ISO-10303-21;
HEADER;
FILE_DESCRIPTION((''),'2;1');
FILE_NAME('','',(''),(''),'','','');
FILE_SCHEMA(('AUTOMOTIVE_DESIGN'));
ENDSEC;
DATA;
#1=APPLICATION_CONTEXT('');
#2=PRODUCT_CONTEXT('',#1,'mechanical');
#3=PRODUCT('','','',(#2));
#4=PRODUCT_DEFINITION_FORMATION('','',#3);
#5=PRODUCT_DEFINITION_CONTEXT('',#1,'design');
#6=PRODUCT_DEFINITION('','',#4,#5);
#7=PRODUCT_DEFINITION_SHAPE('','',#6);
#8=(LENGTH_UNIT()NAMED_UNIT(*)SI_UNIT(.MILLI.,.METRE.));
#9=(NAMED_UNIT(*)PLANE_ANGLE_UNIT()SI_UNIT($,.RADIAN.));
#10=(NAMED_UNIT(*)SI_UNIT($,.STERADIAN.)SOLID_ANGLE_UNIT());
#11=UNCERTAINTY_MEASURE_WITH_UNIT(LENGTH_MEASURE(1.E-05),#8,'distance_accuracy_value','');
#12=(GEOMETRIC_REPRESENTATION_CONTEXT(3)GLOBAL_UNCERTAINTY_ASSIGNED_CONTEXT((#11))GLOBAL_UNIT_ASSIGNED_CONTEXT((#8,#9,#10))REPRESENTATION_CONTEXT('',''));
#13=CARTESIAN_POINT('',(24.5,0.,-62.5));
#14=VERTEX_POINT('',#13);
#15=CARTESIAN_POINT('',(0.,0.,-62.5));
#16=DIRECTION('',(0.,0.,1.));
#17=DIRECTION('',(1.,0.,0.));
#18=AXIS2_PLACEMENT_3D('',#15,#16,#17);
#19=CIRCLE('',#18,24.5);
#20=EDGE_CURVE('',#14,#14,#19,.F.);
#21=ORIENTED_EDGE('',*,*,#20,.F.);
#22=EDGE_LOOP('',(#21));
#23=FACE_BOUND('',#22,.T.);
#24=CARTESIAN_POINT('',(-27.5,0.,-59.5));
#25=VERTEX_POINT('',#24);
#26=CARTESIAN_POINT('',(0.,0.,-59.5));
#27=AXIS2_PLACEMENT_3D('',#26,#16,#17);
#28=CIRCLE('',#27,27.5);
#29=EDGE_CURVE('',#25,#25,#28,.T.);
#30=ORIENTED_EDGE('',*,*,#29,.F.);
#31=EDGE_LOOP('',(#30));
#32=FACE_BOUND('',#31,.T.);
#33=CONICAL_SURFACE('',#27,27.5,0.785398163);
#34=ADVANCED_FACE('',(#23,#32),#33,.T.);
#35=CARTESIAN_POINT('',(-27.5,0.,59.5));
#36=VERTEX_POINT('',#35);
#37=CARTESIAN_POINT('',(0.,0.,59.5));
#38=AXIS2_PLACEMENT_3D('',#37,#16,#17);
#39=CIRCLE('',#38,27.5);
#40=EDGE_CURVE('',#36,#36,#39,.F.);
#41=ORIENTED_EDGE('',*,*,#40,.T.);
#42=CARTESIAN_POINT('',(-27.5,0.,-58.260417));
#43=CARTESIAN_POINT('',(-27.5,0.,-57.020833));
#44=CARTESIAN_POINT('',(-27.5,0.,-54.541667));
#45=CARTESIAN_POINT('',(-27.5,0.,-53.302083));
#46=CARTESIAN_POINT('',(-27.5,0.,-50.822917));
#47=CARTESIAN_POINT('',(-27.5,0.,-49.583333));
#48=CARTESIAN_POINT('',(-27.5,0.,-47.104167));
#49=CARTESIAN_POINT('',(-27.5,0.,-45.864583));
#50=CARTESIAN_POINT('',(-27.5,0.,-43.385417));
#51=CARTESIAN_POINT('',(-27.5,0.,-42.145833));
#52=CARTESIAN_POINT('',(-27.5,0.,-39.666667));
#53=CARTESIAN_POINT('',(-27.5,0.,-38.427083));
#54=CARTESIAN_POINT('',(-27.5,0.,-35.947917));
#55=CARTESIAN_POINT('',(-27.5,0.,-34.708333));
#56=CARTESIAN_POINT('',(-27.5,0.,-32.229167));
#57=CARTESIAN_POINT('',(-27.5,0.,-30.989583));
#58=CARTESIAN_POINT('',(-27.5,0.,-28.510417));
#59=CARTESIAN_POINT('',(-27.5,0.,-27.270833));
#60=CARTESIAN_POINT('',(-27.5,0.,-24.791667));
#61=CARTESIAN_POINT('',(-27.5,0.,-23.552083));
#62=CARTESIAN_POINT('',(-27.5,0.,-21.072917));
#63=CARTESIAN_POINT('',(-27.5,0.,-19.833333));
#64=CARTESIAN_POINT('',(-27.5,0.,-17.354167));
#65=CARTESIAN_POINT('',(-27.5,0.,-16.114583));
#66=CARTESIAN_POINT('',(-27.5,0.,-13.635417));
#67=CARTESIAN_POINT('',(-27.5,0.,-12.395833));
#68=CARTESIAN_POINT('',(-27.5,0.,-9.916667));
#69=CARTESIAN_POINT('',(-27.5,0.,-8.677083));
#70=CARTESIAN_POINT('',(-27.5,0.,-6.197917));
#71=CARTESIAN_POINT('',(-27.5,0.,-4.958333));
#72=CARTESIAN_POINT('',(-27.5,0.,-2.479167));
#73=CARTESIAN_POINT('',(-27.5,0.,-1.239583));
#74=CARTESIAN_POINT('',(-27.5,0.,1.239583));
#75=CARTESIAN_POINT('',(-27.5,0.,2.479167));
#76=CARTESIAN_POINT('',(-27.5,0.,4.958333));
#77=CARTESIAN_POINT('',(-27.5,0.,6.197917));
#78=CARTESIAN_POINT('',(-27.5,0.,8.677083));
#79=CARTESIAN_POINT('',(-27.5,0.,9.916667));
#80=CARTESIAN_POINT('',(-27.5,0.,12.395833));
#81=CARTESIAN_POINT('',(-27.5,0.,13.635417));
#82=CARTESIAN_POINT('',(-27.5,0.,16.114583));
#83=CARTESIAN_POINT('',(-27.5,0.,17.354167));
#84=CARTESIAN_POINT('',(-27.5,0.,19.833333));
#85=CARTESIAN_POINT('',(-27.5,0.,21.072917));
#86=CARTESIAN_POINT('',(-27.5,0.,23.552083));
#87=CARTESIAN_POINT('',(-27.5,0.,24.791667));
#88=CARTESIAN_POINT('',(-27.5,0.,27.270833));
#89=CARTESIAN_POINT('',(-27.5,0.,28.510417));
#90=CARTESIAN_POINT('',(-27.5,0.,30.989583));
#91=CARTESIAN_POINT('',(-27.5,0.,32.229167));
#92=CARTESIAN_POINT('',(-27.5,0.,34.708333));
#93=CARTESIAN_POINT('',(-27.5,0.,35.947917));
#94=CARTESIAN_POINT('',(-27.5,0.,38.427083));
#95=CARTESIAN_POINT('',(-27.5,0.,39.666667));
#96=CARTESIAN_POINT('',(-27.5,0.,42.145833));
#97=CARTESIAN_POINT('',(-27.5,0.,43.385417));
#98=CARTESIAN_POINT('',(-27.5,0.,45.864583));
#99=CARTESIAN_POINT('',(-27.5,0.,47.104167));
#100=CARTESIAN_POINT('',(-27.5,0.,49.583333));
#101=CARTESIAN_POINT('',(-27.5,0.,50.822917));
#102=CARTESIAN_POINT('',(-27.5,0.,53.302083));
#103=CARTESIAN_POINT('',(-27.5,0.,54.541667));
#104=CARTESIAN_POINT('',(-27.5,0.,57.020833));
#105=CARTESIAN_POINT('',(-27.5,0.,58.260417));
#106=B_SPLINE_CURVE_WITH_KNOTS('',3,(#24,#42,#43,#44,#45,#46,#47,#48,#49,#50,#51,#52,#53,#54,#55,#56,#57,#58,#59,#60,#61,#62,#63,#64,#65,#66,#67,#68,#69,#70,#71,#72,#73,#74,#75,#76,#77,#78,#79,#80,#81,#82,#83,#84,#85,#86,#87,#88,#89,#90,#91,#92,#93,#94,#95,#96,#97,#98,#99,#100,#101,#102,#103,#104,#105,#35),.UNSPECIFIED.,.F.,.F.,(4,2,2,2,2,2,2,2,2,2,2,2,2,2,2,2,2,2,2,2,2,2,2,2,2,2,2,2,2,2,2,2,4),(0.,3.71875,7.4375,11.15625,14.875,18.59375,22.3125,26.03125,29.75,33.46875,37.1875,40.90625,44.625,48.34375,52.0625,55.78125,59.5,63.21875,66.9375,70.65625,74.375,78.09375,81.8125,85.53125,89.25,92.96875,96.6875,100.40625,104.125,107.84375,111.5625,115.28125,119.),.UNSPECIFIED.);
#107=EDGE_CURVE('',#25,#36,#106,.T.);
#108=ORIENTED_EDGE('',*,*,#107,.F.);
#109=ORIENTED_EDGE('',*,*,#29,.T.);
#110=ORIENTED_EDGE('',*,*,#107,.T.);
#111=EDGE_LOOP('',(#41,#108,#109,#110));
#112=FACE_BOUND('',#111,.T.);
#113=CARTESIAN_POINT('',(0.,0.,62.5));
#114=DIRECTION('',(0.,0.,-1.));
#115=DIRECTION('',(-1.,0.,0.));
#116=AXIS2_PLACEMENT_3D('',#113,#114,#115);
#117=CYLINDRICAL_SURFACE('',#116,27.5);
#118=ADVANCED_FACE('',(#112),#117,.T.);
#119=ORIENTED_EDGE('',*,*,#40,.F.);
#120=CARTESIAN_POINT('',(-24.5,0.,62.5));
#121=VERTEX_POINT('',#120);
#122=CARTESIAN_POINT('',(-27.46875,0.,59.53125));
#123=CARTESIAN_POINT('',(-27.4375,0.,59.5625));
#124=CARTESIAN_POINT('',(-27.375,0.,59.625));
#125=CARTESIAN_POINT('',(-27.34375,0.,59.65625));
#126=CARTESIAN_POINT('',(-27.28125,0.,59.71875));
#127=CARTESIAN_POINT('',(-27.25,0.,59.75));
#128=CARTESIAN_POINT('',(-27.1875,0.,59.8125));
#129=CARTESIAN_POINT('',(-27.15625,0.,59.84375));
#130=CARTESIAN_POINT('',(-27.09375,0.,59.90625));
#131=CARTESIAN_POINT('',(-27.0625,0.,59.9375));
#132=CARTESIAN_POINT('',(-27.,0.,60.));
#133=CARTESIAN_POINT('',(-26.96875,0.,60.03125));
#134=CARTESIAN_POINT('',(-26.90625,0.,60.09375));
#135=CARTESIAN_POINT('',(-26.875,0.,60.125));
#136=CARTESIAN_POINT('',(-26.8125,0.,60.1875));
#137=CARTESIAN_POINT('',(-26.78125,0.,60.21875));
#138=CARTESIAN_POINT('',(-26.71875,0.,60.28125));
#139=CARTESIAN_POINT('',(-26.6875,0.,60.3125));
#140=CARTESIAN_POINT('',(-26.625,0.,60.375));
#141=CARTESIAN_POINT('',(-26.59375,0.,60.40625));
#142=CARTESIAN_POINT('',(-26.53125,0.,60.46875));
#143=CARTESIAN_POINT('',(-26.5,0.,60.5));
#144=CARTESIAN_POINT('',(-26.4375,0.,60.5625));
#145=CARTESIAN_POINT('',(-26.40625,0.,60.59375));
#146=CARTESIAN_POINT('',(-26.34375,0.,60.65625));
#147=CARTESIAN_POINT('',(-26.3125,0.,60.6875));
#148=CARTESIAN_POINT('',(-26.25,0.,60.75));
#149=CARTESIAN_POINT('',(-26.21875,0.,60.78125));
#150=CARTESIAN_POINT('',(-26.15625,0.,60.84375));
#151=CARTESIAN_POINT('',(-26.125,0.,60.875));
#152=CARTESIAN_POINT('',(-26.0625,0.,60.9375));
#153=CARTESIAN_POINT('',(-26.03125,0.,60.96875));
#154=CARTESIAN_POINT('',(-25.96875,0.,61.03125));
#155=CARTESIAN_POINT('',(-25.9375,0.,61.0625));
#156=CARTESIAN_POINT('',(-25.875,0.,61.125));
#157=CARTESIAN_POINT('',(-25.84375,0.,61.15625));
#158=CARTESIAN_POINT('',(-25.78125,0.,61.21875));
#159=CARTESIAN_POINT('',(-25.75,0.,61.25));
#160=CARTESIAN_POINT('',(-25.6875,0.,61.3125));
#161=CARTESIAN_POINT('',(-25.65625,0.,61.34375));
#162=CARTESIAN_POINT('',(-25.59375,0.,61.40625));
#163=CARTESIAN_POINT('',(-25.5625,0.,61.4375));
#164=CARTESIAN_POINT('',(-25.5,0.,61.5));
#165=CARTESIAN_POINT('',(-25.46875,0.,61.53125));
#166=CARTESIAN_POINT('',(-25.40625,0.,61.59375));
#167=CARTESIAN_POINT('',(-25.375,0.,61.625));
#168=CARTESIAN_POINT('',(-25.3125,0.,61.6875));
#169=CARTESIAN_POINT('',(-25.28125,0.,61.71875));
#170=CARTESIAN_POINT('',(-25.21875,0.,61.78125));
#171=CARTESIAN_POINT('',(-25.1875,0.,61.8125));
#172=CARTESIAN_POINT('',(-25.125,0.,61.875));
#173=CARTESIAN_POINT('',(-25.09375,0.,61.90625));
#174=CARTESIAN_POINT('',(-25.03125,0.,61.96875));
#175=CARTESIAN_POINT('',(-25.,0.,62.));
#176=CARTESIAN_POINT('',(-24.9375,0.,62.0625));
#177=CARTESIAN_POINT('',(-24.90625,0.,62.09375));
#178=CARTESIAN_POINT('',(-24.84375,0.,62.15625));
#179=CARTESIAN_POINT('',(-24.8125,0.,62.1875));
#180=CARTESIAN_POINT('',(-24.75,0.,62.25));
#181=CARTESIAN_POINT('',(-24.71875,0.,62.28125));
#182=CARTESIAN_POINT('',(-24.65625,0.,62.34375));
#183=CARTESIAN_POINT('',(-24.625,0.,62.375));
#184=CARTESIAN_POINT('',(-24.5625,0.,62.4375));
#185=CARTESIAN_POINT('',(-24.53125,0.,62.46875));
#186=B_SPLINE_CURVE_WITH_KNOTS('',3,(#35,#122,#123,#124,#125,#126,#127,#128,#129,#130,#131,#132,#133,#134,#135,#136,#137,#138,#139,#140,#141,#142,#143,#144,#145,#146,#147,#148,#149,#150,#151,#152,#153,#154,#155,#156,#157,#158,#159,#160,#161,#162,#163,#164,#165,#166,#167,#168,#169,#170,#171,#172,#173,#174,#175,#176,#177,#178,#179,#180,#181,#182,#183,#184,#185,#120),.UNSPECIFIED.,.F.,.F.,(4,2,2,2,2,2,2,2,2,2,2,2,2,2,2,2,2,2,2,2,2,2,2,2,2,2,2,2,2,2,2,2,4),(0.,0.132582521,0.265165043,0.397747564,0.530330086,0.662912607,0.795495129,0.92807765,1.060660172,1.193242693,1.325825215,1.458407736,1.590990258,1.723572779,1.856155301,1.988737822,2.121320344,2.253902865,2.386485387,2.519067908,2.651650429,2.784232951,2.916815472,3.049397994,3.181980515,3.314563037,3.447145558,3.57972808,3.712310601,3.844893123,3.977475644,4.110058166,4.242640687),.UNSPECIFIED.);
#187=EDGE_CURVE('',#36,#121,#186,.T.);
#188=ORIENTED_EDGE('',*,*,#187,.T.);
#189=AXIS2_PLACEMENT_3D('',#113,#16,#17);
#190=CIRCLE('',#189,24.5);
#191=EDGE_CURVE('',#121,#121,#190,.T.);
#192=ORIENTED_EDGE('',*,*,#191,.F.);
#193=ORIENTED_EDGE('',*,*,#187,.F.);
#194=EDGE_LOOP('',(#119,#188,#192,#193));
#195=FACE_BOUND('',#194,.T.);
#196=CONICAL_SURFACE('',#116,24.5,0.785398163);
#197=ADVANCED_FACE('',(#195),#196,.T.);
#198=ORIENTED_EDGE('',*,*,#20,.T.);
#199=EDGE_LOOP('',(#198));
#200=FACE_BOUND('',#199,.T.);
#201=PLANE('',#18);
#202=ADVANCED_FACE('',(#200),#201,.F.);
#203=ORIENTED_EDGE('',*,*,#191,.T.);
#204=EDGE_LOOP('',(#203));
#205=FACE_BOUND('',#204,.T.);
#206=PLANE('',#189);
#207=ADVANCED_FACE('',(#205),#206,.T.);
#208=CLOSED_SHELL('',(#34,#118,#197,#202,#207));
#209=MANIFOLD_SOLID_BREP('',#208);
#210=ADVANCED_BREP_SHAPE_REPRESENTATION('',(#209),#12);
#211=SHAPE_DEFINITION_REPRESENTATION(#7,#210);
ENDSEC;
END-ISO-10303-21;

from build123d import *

# Parameters (mm, degrees)
SKETCH_1_R      = 27.5
EXTRUDE_1_DEPTH = 62.5
CHAMFER_1_SIZE  = 3


with BuildPart() as part:
    # 草图1 → 凸台-拉伸1 (new, symmetric)
    with BuildSketch(Plane.XY):
        Circle(SKETCH_1_R)
    extrude(amount=EXTRUDE_1_DEPTH, both=True)

    # 倒角1
    chamfer_1_edges = [part.edges().sort_by_distance(p)[0] for p in [
        (-27.5, 0, -62.5),
        (-27.5, 0, 62.5),
    ]]
    chamfer(chamfer_1_edges, length=CHAMFER_1_SIZE)


solid = part.part
